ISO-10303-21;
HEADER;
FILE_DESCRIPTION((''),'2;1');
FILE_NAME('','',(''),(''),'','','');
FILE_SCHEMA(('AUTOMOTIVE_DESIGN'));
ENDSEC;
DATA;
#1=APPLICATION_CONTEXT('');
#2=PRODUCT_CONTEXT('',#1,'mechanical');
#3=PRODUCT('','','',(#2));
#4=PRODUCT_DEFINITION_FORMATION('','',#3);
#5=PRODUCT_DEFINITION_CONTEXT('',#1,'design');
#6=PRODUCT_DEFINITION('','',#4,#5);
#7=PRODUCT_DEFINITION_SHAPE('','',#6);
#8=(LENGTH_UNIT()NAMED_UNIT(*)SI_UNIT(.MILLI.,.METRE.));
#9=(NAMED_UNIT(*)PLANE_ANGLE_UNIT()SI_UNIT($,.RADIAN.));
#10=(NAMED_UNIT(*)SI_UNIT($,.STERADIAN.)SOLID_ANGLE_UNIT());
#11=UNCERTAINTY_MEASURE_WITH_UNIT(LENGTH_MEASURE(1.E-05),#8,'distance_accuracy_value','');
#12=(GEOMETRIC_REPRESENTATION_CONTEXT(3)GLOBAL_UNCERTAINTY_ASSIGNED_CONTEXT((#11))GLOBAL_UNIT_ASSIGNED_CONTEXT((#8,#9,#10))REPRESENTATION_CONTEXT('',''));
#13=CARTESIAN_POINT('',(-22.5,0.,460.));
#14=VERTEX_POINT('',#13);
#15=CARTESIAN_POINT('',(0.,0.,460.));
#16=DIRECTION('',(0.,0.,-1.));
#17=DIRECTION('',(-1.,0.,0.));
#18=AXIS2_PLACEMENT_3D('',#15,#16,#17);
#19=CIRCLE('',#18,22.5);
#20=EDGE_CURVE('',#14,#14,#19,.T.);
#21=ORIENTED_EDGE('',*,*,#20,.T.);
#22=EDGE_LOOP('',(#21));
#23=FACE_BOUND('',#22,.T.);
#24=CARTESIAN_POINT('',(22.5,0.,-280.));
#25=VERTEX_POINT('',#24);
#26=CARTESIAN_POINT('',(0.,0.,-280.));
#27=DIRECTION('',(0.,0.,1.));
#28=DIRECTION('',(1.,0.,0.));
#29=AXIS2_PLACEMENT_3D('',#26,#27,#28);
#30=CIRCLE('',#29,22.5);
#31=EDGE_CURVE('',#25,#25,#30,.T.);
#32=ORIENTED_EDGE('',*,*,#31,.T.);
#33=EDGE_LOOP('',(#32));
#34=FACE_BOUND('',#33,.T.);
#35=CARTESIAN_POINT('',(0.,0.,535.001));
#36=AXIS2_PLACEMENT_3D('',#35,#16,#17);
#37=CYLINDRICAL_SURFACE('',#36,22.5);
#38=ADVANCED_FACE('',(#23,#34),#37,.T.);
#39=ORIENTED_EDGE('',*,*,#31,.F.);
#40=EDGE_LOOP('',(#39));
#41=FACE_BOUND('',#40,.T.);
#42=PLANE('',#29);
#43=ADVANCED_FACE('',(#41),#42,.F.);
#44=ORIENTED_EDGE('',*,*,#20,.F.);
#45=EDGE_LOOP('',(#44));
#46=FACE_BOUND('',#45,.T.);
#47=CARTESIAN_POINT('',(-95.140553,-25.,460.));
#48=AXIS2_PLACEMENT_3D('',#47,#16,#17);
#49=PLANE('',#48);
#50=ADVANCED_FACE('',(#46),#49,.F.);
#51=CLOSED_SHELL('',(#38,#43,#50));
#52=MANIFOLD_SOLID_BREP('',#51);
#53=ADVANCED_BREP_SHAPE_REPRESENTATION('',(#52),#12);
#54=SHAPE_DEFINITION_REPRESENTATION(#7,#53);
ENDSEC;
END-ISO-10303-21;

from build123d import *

# Parameters (mm, degrees)
SKETCH_7_R           = 35
SKETCH_7_R_2         = 15
EXTRUDE_1_DEPTH      = 15
EXTRUDE_2_REACH      = 817.889
EXTRUDE_2_END_RADIUS = 35
SKETCH_5_R           = 22.5
SKETCH_8_W           = 185.294970715
SKETCH_8_H           = 135.350234673
CUT_EXTRUDE_1_DEPTH  = 25


with BuildPart() as part:
    # 草图7 → 凸台-拉伸1 (new, symmetric)
    with BuildSketch(Plane(origin=(0, 0, 0), x_dir=(1, 0, 0), z_dir=(0, 1, 0))):
        with Locations(Location((0, -500, 0), (0, 0, 270))):
            Circle(SKETCH_7_R)
        with Locations(Location((0, -500, 0), (0, 0, 270))):
            Circle(SKETCH_7_R_2, mode=Mode.SUBTRACT)
    extrude(amount=EXTRUDE_1_DEPTH, both=True)

    # 凸台-拉伸2: up to this cylinder (the profile starts outside it)
    extrude_2_end = Plane(origin=(0, 0, 500), z_dir=(0, -1, 0)) * Cylinder(EXTRUDE_2_END_RADIUS, 1706.778, mode=Mode.PRIVATE)
    # 草图5 → 凸台-拉伸2 (add, up to the surface)
    with BuildSketch(Plane.XY.offset(-280), mode=Mode.PRIVATE) as extrude_2_sk1:
        with Locations(Location((0, 0, 0), (0, 0, 138.189685104))):
            Circle(SKETCH_5_R)
    extrude_2_tool1 = extrude(extrude_2_sk1.sketch, amount=EXTRUDE_2_REACH, mode=Mode.PRIVATE) - extrude_2_end
    add(extrude_2_tool1.solids().sort_by_distance((0, 0, -280))[0])

    # 草图8 → 切除-拉伸1 (cut, symmetric)
    with BuildSketch(Plane(origin=(0, 0, 0), x_dir=(1, 0, 0), z_dir=(0, 1, 0))):
        with Locations((-2.493067274, -527.675117337)):
            Rectangle(SKETCH_8_W, SKETCH_8_H)
    extrude(amount=CUT_EXTRUDE_1_DEPTH, both=True, mode=Mode.SUBTRACT)


solid = part.part
